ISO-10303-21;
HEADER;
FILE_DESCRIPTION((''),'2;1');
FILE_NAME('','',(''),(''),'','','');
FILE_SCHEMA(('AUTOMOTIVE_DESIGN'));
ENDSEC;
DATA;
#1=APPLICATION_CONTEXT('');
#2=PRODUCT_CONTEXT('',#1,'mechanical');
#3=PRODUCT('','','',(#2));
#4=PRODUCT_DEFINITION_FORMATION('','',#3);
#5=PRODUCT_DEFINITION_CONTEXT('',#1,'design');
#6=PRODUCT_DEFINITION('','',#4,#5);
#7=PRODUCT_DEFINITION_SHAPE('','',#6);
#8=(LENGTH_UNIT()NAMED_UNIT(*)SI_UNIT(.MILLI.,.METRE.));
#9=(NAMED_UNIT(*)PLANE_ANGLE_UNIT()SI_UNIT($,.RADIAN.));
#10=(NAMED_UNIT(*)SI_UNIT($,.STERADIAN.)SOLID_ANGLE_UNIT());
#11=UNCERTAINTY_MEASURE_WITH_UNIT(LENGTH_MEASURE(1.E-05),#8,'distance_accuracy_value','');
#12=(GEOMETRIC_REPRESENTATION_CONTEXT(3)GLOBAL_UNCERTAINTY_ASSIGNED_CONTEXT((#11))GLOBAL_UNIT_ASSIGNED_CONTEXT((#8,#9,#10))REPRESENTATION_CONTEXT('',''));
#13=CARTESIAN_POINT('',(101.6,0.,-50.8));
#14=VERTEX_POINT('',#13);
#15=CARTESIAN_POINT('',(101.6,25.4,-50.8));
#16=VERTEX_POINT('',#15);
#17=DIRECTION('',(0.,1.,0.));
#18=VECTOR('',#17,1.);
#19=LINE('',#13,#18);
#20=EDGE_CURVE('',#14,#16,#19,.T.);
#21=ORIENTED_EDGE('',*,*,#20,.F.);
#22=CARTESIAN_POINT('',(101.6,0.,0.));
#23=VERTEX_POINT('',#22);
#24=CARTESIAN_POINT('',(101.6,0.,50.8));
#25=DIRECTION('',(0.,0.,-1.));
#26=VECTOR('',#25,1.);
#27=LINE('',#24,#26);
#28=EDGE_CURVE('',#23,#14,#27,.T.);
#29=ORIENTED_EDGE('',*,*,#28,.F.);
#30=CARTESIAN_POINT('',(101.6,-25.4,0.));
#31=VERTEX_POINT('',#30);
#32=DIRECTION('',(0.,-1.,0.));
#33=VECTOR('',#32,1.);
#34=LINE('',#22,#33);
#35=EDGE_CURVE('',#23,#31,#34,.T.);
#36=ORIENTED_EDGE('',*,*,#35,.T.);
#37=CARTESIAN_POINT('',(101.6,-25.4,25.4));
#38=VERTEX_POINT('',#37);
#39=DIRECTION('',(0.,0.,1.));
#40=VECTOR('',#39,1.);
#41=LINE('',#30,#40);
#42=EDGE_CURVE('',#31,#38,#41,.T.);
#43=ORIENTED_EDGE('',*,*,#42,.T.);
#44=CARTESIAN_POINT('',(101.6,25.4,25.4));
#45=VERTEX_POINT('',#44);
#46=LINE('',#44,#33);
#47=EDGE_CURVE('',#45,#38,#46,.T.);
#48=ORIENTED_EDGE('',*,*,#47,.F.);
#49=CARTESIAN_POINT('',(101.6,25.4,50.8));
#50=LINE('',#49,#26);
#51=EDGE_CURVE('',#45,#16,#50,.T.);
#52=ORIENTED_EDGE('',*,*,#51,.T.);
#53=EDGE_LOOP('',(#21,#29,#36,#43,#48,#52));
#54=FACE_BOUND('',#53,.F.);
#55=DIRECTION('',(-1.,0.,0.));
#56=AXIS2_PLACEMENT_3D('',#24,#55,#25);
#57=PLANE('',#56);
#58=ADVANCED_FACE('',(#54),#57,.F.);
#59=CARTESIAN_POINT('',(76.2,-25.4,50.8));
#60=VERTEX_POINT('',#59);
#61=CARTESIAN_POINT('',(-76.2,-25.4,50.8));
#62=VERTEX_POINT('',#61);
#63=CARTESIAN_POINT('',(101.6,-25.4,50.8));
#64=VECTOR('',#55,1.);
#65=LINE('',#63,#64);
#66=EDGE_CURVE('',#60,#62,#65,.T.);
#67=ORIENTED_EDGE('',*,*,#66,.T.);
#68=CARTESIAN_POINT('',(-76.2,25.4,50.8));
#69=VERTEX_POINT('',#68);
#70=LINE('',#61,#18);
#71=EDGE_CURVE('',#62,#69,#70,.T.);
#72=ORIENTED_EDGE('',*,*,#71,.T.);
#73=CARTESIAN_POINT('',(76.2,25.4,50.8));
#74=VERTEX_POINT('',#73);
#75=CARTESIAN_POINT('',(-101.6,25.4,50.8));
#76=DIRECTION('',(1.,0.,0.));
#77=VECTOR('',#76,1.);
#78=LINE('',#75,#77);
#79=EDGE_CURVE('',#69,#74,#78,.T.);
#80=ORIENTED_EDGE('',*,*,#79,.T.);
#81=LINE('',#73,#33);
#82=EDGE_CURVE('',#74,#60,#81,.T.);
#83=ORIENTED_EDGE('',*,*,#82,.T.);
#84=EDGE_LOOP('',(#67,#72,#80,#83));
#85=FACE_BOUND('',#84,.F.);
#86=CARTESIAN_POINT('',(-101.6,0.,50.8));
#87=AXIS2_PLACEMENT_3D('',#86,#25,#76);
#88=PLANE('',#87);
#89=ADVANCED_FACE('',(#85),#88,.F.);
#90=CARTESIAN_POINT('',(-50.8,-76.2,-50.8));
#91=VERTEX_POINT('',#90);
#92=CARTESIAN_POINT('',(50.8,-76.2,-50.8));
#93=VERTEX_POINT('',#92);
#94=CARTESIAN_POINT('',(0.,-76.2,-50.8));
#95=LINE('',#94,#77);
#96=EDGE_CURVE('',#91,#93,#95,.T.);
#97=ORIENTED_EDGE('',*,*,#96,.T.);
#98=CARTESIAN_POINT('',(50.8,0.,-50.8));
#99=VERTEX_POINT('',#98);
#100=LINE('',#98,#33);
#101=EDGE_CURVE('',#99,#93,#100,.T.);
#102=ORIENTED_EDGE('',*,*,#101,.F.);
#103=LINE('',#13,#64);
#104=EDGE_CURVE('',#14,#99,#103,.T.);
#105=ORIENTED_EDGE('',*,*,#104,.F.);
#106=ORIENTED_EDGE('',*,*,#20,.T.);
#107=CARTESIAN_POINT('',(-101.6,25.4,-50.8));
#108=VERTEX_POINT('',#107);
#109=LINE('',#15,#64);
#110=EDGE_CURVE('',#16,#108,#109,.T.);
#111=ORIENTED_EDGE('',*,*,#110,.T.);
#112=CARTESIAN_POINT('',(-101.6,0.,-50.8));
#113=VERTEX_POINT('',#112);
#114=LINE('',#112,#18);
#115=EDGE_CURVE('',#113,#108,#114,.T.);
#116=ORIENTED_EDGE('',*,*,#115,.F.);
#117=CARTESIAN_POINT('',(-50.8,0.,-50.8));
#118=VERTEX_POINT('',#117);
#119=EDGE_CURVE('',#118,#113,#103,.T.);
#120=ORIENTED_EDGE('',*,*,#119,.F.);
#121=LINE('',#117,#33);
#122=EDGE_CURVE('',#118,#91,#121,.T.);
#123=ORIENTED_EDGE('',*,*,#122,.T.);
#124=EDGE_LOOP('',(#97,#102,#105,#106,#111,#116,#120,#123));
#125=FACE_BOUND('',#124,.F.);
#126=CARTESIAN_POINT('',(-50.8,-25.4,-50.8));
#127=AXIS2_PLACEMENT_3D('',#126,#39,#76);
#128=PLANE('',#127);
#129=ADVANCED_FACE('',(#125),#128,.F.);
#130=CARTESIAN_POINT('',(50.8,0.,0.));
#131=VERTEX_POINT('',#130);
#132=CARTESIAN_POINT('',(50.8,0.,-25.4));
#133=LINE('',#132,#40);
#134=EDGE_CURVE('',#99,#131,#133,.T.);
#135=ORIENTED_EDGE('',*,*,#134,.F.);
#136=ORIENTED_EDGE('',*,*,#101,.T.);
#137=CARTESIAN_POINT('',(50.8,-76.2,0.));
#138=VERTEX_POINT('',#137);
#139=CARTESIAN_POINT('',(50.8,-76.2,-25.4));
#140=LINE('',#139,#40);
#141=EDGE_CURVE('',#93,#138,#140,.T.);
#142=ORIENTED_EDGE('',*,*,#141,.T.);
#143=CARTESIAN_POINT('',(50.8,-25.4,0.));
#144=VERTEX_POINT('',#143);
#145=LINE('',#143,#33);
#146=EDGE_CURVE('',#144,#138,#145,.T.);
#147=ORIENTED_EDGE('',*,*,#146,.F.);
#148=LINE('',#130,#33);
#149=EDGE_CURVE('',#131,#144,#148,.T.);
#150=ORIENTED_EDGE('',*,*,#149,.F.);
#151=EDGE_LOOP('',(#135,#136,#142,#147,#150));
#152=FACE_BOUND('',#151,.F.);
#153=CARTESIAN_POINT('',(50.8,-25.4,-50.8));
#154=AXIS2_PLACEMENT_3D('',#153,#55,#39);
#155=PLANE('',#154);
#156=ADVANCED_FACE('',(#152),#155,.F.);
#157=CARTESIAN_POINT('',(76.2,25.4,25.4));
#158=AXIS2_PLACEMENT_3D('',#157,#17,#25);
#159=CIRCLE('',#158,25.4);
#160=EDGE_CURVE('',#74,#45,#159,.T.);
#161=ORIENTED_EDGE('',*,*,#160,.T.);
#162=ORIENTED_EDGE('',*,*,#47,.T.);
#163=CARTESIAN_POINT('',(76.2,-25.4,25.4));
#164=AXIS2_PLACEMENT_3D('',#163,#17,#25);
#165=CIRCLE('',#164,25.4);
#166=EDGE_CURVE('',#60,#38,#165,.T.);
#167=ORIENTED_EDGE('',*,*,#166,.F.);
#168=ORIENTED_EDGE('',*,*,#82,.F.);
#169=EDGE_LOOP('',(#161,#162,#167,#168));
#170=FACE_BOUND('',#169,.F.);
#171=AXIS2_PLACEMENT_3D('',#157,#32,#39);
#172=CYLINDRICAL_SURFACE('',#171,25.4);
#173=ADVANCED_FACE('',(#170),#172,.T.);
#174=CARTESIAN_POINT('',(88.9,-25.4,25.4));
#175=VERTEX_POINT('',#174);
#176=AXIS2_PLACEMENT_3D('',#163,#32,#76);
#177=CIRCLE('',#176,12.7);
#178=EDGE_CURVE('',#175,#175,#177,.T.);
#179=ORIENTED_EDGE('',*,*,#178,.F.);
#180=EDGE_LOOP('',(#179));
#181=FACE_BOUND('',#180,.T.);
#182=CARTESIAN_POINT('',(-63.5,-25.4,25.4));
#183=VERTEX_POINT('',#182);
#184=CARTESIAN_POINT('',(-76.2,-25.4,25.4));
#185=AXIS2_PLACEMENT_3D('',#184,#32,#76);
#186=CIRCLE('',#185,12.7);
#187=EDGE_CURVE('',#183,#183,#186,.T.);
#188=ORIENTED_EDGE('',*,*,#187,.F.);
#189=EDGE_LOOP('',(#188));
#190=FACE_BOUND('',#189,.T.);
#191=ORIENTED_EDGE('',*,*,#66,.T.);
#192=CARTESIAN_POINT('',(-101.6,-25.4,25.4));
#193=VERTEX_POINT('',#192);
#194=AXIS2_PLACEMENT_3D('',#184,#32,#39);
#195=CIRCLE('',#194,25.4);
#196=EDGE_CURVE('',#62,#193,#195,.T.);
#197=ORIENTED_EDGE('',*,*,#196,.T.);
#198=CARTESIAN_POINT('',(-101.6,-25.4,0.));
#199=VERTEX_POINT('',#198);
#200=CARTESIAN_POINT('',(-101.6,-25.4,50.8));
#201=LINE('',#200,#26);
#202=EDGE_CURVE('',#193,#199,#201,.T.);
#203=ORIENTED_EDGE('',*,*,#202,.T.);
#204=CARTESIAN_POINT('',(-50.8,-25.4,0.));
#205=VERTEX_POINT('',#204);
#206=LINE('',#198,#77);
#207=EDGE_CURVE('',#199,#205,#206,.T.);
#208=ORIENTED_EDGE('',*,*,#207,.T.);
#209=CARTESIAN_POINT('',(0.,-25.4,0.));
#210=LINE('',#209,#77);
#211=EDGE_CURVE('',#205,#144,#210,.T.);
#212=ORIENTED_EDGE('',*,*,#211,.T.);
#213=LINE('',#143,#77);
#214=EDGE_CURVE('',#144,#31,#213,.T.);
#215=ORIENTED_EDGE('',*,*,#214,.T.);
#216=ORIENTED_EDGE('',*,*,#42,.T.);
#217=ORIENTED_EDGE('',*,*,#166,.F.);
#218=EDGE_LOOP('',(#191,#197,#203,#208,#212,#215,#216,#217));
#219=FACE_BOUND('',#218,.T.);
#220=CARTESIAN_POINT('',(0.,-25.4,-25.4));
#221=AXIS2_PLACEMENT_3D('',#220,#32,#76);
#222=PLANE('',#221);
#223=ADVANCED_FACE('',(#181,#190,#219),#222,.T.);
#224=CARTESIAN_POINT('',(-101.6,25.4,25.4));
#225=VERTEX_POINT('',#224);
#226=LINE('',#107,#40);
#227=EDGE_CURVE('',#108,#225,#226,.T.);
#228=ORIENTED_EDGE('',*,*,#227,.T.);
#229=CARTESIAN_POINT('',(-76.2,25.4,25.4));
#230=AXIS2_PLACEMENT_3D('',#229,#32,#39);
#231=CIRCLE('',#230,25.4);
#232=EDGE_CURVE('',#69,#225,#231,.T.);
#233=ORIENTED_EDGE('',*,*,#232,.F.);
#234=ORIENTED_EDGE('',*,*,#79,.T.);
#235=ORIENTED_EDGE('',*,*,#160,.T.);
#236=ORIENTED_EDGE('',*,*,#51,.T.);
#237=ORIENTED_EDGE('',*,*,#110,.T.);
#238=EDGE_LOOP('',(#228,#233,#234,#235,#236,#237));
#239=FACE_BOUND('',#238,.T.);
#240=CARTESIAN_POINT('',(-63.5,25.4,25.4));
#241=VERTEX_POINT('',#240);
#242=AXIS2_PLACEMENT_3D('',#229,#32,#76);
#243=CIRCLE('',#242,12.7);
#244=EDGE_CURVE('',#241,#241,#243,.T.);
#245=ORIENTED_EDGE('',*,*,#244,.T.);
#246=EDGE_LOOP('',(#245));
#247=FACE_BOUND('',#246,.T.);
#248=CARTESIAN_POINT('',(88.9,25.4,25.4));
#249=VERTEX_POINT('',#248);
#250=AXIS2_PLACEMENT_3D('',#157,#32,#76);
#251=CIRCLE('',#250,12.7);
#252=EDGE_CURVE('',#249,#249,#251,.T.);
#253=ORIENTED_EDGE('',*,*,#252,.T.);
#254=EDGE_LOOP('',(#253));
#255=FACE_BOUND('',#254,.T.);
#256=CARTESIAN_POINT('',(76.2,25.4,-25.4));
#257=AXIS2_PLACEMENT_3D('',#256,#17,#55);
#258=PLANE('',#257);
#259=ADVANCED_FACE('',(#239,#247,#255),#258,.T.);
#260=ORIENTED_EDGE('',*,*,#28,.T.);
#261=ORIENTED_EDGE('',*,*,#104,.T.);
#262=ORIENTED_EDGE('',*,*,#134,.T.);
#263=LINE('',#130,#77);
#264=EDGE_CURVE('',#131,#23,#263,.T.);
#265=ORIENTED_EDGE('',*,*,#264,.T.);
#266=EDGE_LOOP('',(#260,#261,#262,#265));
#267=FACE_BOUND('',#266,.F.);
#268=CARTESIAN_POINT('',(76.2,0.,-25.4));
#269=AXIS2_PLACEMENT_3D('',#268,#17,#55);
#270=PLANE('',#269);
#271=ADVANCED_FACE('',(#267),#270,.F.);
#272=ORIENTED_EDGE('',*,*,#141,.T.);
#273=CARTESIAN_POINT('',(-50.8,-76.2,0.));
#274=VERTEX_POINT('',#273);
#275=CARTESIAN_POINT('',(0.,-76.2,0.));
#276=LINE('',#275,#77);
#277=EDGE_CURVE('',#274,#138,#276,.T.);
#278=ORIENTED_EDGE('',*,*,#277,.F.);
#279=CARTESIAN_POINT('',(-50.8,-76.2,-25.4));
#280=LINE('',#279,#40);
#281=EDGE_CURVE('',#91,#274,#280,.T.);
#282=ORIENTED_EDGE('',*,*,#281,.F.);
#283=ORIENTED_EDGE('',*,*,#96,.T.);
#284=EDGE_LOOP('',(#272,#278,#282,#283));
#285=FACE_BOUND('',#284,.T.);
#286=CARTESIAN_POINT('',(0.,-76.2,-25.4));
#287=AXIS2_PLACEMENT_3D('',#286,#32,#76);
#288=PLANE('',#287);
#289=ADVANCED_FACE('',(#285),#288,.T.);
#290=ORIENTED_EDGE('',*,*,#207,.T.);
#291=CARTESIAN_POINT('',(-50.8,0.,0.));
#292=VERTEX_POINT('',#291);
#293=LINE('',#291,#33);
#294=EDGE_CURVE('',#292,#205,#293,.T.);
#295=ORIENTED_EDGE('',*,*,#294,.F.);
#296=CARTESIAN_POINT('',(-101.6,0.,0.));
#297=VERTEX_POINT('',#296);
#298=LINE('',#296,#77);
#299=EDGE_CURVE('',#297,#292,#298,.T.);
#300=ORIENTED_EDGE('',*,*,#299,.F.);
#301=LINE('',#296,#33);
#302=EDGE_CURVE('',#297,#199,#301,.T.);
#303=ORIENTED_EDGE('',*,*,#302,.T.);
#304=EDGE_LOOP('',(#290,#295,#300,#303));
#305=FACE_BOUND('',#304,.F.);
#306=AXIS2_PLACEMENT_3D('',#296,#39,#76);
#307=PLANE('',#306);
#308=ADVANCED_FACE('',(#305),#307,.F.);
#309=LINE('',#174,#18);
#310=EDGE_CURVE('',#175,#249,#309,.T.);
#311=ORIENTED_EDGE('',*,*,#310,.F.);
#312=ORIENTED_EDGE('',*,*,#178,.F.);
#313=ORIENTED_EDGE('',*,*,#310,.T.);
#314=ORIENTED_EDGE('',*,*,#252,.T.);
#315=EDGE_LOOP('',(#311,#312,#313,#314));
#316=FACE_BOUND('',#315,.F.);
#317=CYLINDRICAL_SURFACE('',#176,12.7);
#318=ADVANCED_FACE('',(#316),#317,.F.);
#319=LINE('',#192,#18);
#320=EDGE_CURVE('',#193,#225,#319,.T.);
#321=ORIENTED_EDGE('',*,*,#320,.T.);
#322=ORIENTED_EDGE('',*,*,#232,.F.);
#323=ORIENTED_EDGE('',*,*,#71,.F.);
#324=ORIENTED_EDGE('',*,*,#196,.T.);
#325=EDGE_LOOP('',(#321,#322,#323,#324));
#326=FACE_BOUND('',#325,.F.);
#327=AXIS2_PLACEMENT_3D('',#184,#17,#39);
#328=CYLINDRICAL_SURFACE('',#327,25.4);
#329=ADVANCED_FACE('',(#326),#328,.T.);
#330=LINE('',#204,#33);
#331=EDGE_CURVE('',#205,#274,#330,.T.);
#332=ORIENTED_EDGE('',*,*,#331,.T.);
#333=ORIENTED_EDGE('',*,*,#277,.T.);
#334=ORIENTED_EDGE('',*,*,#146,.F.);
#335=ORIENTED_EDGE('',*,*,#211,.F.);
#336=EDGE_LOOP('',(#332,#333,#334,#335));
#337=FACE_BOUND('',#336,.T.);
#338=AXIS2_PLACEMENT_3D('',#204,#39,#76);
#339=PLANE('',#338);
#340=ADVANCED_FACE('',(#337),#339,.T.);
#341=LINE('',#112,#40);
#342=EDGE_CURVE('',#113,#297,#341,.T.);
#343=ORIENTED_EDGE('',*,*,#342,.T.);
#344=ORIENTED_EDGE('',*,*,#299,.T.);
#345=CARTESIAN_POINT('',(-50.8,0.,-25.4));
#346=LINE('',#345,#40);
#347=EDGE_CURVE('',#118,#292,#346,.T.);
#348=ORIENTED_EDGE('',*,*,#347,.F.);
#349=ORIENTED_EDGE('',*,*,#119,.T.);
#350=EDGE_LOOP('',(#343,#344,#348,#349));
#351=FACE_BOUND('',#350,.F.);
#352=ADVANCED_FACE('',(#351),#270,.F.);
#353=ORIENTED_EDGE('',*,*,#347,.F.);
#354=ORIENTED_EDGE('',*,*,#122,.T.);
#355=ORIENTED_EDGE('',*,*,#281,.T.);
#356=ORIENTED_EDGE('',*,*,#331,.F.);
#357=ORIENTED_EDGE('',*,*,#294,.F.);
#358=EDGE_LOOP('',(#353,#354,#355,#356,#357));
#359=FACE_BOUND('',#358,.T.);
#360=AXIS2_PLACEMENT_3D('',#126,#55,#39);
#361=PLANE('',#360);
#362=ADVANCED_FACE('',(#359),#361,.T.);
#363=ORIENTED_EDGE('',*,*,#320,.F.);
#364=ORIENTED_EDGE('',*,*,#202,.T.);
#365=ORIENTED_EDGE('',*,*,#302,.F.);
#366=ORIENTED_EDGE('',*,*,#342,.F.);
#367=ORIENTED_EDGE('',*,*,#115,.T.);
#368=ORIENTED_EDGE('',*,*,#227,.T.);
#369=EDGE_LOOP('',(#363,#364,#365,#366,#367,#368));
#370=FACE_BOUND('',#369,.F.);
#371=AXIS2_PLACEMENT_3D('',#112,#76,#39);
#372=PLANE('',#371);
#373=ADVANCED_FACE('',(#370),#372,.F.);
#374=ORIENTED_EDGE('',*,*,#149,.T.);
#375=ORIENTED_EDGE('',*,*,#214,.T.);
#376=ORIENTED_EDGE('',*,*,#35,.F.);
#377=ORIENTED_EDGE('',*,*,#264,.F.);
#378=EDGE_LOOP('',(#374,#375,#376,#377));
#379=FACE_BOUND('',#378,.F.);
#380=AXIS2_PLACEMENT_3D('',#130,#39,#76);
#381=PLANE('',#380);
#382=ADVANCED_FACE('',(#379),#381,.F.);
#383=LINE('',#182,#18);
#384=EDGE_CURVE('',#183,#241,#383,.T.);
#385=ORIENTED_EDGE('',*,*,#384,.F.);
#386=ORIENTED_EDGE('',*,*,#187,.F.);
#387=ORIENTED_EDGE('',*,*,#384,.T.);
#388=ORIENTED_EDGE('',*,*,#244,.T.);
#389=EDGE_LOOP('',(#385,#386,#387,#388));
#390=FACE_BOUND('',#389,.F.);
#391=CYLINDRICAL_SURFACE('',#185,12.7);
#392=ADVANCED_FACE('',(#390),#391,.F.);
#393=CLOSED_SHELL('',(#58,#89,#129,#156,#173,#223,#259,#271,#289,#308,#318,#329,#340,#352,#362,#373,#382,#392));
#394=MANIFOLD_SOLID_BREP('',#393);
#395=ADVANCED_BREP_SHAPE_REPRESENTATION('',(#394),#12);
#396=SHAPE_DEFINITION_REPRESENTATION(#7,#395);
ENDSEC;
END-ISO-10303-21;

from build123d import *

# Parameters (mm, degrees)
F0_W     = 101.6
F0_H     = 50.8
F1_DEPTH = 25.4
F2_W     = 50.8
F2_H     = 50.8
F3_DEPTH = 25.4
F4_R     = 25.4
F5_R     = 25.4
F6_W     = 101.6
F6_H     = 50.8
F7_DEPTH = 50.8
F6_R     = 12.7
F8_DEPTH = 50.8


with BuildPart() as f1:
    # F0 (on Front) → F1 (new body)
    with BuildSketch(Plane.XZ):
        with Locations((0, -25.4)):
            Rectangle(F0_W, F0_H)
        Polygon((101.6, 50.8), (-101.6, 50.8), (-101.6, 0), (-50.8, 0), (50.8, 0), (101.6, 0), align=None)
    extrude(amount=F1_DEPTH)

    # F2 (on face) → F3 (join)
    with BuildSketch(Plane(origin=(0, 0, 0), x_dir=(-1, 0, 0), z_dir=(0, 1, 0))):
        with Locations((-76.2, -25.4)):
            Rectangle(F2_W, F2_H)
        Polygon((101.6, 50.8), (-101.6, 50.8), (-101.6, 0), (-50.8, 0), (-50.8, -50.8), (50.8, -50.8), (50.8, 0), (101.6, 0), align=None)
        with Locations((76.2, -25.4)):
            Rectangle(F2_W, F2_H)
    extrude(amount=F3_DEPTH)

    # F4
    f4_edges = [f1.edges().sort_by_distance(p)[0] for p in [
        (101.6, 0, 50.8),
    ]]
    fillet(f4_edges, radius=F4_R)

    # F5
    f5_edges = [f1.edges().sort_by_distance(p)[0] for p in [
        (-101.6, 0, 50.8),
    ]]
    fillet(f5_edges, radius=F5_R)

    # F6 (on face) → F7 (join)
    with BuildSketch(Plane.XZ.offset(25.4)):
        with Locations((0, -25.4)):
            Rectangle(F6_W, F6_H)
    extrude(amount=F7_DEPTH)

    # F6 (on face) → F8 (cut, through all)
    with BuildSketch(Plane.XZ.offset(25.4)):
        with Locations((-76.2, 25.4)):
            Circle(F6_R)
        with Locations((76.2, 25.4)):
            Circle(F6_R)
    extrude(amount=-F8_DEPTH, mode=Mode.SUBTRACT)


solid = f1.part
